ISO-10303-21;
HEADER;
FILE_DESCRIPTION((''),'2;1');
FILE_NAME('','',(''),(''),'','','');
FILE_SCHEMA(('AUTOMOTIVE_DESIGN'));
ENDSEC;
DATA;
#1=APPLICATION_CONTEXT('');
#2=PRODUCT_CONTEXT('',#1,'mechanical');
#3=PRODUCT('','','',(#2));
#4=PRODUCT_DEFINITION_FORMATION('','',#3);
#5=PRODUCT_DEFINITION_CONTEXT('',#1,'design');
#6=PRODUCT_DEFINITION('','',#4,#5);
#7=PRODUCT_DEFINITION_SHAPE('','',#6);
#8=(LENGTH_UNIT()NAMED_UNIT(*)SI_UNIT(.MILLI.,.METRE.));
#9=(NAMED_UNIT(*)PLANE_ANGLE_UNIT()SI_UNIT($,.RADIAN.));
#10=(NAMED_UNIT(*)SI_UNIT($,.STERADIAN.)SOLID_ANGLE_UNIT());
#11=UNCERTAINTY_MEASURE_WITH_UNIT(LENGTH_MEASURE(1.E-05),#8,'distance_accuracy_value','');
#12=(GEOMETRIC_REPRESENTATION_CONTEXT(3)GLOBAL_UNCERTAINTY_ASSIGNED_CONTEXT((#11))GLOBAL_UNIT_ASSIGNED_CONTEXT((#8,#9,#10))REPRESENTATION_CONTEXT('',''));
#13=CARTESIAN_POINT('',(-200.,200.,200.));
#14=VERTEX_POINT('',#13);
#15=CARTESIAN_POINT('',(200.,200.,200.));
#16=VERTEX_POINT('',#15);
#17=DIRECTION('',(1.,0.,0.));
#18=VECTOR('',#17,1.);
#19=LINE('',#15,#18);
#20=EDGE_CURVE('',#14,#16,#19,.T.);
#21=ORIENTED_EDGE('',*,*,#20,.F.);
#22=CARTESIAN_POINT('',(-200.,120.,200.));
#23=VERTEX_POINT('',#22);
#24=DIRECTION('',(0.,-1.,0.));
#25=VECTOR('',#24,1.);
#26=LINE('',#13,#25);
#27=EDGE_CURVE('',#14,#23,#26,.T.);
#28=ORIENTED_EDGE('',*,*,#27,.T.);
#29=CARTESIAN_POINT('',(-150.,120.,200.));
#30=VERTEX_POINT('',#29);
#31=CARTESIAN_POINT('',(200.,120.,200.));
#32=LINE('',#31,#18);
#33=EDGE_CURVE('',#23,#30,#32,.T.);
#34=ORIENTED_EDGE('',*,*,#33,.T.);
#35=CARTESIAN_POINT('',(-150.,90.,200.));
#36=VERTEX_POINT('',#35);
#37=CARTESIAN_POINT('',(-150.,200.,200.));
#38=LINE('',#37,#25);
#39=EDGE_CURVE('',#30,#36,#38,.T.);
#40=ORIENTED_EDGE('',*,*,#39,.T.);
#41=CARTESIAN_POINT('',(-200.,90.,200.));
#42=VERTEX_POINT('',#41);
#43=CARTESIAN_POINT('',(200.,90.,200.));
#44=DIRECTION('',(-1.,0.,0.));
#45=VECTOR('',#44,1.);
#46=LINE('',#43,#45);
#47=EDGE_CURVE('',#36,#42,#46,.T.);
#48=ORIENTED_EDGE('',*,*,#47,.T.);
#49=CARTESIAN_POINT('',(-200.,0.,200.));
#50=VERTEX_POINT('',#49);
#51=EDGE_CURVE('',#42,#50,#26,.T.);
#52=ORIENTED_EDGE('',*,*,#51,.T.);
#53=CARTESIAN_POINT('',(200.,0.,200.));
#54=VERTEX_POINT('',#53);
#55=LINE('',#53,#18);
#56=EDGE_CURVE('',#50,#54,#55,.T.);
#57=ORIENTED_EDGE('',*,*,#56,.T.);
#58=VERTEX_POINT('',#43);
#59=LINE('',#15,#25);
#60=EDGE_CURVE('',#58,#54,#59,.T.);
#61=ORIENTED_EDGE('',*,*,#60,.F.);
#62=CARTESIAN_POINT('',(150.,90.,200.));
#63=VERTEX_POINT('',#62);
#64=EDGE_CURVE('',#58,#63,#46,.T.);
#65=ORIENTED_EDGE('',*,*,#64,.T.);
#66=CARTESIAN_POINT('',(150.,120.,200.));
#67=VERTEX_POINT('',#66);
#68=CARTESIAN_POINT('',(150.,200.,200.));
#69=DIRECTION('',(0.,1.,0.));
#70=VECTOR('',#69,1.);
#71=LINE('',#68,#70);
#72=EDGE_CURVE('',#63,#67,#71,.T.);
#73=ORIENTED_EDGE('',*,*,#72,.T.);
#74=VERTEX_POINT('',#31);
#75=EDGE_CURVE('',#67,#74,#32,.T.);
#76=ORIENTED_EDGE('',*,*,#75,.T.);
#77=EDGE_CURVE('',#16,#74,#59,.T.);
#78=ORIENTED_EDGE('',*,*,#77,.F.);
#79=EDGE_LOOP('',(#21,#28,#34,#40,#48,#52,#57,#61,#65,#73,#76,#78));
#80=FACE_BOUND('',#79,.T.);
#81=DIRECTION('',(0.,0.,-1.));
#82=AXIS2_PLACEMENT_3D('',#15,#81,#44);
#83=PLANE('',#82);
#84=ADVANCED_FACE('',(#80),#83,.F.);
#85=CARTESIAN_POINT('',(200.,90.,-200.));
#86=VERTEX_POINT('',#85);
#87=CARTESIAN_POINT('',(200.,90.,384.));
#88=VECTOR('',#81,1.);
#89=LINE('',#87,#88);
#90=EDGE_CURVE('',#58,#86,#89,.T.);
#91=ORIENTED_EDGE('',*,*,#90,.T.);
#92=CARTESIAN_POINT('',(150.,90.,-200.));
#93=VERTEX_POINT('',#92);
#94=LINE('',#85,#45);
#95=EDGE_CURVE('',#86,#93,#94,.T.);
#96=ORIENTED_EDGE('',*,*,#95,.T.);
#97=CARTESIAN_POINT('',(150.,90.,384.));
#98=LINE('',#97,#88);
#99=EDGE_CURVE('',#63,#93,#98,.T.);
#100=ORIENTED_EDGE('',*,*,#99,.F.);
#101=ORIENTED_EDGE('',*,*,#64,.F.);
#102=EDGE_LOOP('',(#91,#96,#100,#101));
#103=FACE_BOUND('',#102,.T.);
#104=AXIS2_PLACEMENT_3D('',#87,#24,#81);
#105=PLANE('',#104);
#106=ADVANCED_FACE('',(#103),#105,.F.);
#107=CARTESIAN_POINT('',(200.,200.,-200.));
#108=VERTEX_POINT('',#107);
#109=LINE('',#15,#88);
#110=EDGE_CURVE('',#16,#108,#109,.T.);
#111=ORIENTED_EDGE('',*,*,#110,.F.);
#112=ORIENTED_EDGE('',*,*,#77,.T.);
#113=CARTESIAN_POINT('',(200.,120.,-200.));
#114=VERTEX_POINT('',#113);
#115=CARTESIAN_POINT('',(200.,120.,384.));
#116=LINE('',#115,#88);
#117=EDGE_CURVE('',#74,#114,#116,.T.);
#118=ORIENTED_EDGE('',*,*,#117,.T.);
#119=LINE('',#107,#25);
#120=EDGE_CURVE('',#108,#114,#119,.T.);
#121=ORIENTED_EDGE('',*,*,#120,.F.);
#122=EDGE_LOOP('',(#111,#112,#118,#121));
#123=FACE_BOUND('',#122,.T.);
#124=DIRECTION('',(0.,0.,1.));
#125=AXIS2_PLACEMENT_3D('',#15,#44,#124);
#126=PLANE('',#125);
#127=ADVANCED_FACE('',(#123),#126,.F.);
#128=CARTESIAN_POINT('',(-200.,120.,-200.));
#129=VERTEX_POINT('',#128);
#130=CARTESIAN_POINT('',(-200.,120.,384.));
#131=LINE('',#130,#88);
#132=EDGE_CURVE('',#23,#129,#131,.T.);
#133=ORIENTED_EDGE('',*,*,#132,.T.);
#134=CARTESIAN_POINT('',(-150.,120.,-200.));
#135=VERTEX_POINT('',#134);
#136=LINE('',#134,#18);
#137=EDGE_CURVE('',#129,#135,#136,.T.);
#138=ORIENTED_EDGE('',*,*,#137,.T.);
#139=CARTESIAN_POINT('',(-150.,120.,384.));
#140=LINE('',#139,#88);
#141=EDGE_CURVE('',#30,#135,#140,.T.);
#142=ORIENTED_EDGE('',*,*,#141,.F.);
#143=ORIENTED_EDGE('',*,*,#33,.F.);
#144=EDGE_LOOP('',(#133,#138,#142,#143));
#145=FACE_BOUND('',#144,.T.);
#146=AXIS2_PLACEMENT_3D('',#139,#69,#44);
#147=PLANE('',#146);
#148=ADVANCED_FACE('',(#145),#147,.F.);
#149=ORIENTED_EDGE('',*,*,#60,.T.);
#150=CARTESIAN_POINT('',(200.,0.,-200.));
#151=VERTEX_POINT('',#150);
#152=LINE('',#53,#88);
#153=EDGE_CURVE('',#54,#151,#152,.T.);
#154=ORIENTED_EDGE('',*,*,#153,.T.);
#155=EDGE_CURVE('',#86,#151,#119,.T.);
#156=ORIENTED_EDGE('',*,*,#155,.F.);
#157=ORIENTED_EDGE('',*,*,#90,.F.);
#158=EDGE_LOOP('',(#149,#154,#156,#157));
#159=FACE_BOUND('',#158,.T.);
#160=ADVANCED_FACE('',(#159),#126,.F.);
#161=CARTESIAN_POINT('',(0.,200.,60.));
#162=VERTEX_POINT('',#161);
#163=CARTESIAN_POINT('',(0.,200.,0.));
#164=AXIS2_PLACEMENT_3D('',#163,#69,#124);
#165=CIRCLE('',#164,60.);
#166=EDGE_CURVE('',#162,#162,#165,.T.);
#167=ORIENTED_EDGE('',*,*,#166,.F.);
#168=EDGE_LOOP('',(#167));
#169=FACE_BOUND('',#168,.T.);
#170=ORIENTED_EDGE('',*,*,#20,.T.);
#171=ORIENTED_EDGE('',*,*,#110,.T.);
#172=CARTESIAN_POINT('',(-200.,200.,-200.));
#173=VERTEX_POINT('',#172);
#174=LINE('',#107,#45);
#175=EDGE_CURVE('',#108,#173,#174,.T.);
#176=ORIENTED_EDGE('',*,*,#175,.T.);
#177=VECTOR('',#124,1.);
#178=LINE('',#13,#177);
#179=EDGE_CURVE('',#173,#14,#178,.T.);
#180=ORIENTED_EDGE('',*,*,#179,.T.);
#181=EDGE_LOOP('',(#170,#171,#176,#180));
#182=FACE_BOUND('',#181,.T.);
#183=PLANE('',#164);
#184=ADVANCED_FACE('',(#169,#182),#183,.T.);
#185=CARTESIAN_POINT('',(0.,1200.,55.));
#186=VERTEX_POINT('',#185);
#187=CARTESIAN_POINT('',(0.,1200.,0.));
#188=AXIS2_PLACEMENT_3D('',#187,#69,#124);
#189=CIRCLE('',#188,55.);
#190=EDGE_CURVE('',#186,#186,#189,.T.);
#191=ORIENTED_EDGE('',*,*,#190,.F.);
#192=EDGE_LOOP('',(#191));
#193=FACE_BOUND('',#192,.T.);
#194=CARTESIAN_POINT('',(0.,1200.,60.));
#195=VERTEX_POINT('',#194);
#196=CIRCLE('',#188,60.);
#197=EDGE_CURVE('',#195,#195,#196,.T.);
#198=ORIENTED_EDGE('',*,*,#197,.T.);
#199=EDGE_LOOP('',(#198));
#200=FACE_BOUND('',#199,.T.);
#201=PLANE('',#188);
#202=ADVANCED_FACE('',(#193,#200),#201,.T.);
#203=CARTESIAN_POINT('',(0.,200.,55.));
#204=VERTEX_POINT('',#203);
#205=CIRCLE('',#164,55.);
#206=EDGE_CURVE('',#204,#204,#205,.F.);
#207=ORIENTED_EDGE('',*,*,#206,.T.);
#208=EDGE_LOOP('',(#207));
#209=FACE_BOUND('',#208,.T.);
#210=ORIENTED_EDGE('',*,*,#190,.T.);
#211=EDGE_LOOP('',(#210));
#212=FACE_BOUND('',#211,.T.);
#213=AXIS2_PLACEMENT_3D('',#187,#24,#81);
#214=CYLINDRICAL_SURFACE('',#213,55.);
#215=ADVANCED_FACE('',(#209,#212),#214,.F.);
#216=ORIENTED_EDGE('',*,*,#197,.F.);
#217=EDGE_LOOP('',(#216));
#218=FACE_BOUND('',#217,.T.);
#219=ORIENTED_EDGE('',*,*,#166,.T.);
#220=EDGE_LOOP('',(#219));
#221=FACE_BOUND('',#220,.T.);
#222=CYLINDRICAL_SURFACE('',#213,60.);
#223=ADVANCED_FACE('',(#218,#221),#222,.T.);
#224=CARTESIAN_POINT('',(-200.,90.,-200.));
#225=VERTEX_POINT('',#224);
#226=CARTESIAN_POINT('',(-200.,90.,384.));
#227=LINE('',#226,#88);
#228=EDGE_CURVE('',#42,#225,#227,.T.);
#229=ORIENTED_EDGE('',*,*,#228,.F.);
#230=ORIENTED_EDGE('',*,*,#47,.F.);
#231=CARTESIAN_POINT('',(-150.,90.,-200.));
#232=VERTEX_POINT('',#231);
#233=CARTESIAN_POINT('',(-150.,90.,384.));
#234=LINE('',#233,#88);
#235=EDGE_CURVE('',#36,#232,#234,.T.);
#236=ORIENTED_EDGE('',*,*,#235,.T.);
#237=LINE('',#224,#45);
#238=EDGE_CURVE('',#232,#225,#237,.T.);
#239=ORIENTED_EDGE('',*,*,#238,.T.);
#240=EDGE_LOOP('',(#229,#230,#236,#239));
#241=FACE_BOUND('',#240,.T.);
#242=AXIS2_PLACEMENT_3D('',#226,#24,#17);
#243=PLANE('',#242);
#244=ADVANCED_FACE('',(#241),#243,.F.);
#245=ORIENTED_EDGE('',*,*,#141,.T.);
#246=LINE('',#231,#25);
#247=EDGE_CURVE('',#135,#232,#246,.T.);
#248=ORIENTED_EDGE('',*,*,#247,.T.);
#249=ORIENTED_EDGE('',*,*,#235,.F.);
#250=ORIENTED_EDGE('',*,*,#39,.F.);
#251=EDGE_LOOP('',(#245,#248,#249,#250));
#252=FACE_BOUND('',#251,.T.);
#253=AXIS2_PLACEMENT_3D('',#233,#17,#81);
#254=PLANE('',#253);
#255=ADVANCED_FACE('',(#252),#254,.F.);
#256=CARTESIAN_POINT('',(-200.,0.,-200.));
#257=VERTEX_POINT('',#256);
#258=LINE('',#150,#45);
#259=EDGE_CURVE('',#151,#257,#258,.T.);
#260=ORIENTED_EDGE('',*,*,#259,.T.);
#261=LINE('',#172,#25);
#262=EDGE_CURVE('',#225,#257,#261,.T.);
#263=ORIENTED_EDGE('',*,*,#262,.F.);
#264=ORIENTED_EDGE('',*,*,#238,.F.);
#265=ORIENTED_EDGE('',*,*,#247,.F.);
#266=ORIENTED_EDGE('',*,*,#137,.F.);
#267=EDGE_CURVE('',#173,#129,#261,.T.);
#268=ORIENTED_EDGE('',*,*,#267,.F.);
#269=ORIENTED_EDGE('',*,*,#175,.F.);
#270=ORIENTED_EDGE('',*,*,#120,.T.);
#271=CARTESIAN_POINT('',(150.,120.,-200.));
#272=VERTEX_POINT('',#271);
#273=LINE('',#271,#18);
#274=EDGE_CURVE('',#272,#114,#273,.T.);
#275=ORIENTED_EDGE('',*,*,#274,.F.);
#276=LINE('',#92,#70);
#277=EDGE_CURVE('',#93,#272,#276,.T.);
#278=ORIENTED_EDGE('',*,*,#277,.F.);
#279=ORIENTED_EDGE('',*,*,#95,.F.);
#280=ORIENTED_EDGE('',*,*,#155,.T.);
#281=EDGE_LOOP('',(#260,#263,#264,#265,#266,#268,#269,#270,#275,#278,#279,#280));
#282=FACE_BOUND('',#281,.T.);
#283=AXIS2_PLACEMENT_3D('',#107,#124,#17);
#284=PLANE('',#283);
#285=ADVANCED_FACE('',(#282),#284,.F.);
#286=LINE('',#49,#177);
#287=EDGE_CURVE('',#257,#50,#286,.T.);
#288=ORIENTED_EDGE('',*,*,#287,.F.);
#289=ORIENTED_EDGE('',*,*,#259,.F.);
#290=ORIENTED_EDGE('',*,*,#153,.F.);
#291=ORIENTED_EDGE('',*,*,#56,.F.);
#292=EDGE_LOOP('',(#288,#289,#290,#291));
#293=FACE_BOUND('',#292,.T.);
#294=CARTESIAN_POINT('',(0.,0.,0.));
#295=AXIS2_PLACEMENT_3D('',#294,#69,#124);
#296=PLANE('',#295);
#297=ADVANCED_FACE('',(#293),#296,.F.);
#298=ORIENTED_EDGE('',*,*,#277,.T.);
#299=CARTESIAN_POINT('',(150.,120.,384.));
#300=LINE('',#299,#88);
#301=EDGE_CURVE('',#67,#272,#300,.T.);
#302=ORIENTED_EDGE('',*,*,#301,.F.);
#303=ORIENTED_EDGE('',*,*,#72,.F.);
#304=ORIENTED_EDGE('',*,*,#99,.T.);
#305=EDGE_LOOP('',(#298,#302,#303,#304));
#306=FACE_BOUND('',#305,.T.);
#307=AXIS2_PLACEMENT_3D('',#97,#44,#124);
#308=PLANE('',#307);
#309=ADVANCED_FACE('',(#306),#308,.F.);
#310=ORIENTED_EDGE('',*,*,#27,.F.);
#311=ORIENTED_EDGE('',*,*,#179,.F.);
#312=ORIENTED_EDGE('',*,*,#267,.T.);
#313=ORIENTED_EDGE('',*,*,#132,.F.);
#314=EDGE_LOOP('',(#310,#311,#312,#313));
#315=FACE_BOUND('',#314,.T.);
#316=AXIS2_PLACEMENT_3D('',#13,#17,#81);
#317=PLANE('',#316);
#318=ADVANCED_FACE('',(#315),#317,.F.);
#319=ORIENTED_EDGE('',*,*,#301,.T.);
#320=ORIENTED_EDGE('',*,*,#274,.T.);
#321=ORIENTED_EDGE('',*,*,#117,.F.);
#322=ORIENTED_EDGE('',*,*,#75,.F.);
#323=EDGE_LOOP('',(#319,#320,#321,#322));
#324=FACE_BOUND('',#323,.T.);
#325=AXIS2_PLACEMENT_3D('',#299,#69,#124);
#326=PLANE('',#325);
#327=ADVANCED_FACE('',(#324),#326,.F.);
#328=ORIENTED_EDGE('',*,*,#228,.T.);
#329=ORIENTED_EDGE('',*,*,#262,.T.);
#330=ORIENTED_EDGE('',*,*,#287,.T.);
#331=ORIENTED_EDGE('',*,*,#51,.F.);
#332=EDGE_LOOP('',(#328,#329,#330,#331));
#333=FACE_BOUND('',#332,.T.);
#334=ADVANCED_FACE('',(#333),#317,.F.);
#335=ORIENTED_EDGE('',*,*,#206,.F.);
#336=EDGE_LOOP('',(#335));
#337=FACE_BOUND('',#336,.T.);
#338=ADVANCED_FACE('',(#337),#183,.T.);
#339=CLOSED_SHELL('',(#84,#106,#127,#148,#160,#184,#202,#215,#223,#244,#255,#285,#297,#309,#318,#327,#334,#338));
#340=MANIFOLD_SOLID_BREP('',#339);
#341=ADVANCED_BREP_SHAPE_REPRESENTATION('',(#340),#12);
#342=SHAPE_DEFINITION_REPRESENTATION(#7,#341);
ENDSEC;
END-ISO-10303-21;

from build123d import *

# Parameters (mm, degrees)
SKETCH1_W           = 400
SKETCH1_H           = 400
BOSS_EXTRUDE1_DEPTH = 200
SKETCH2_R           = 60
SKETCH2_R_2         = 55
BOSS_EXTRUDE2_DEPTH = 1000
SKETCH3_W           = 50
SKETCH3_H           = 30
CUT_EXTRUDE1_DEPTH  = 584


with BuildPart() as part:
    # Sketch1 → Boss-Extrude1 (new body)
    with BuildSketch(Plane(origin=(0, 0, 0), x_dir=(1, 0, 0), z_dir=(0, 1, 0))):
        Rectangle(SKETCH1_W, SKETCH1_H)
    extrude(amount=BOSS_EXTRUDE1_DEPTH)

    # Sketch2 → Boss-Extrude2 (add)
    with BuildSketch(Plane(origin=(0, 200, 0), x_dir=(1, 0, 0), z_dir=(0, 1, 0))):
        Circle(SKETCH2_R)
        Circle(SKETCH2_R_2, mode=Mode.SUBTRACT)
    extrude(amount=BOSS_EXTRUDE2_DEPTH)

    # Sketch3 → Cut-Extrude1 (cut)
    with BuildSketch(Plane(origin=(0, 0, -200), x_dir=(-1, 0, 0), z_dir=(0, 0, -1))):
        with Locations((-175, 105)):
            Rectangle(SKETCH3_W, SKETCH3_H)
        with Locations((175, 105)):
            Rectangle(SKETCH3_W, SKETCH3_H)
    extrude(amount=-CUT_EXTRUDE1_DEPTH, mode=Mode.SUBTRACT)


solid = part.part
